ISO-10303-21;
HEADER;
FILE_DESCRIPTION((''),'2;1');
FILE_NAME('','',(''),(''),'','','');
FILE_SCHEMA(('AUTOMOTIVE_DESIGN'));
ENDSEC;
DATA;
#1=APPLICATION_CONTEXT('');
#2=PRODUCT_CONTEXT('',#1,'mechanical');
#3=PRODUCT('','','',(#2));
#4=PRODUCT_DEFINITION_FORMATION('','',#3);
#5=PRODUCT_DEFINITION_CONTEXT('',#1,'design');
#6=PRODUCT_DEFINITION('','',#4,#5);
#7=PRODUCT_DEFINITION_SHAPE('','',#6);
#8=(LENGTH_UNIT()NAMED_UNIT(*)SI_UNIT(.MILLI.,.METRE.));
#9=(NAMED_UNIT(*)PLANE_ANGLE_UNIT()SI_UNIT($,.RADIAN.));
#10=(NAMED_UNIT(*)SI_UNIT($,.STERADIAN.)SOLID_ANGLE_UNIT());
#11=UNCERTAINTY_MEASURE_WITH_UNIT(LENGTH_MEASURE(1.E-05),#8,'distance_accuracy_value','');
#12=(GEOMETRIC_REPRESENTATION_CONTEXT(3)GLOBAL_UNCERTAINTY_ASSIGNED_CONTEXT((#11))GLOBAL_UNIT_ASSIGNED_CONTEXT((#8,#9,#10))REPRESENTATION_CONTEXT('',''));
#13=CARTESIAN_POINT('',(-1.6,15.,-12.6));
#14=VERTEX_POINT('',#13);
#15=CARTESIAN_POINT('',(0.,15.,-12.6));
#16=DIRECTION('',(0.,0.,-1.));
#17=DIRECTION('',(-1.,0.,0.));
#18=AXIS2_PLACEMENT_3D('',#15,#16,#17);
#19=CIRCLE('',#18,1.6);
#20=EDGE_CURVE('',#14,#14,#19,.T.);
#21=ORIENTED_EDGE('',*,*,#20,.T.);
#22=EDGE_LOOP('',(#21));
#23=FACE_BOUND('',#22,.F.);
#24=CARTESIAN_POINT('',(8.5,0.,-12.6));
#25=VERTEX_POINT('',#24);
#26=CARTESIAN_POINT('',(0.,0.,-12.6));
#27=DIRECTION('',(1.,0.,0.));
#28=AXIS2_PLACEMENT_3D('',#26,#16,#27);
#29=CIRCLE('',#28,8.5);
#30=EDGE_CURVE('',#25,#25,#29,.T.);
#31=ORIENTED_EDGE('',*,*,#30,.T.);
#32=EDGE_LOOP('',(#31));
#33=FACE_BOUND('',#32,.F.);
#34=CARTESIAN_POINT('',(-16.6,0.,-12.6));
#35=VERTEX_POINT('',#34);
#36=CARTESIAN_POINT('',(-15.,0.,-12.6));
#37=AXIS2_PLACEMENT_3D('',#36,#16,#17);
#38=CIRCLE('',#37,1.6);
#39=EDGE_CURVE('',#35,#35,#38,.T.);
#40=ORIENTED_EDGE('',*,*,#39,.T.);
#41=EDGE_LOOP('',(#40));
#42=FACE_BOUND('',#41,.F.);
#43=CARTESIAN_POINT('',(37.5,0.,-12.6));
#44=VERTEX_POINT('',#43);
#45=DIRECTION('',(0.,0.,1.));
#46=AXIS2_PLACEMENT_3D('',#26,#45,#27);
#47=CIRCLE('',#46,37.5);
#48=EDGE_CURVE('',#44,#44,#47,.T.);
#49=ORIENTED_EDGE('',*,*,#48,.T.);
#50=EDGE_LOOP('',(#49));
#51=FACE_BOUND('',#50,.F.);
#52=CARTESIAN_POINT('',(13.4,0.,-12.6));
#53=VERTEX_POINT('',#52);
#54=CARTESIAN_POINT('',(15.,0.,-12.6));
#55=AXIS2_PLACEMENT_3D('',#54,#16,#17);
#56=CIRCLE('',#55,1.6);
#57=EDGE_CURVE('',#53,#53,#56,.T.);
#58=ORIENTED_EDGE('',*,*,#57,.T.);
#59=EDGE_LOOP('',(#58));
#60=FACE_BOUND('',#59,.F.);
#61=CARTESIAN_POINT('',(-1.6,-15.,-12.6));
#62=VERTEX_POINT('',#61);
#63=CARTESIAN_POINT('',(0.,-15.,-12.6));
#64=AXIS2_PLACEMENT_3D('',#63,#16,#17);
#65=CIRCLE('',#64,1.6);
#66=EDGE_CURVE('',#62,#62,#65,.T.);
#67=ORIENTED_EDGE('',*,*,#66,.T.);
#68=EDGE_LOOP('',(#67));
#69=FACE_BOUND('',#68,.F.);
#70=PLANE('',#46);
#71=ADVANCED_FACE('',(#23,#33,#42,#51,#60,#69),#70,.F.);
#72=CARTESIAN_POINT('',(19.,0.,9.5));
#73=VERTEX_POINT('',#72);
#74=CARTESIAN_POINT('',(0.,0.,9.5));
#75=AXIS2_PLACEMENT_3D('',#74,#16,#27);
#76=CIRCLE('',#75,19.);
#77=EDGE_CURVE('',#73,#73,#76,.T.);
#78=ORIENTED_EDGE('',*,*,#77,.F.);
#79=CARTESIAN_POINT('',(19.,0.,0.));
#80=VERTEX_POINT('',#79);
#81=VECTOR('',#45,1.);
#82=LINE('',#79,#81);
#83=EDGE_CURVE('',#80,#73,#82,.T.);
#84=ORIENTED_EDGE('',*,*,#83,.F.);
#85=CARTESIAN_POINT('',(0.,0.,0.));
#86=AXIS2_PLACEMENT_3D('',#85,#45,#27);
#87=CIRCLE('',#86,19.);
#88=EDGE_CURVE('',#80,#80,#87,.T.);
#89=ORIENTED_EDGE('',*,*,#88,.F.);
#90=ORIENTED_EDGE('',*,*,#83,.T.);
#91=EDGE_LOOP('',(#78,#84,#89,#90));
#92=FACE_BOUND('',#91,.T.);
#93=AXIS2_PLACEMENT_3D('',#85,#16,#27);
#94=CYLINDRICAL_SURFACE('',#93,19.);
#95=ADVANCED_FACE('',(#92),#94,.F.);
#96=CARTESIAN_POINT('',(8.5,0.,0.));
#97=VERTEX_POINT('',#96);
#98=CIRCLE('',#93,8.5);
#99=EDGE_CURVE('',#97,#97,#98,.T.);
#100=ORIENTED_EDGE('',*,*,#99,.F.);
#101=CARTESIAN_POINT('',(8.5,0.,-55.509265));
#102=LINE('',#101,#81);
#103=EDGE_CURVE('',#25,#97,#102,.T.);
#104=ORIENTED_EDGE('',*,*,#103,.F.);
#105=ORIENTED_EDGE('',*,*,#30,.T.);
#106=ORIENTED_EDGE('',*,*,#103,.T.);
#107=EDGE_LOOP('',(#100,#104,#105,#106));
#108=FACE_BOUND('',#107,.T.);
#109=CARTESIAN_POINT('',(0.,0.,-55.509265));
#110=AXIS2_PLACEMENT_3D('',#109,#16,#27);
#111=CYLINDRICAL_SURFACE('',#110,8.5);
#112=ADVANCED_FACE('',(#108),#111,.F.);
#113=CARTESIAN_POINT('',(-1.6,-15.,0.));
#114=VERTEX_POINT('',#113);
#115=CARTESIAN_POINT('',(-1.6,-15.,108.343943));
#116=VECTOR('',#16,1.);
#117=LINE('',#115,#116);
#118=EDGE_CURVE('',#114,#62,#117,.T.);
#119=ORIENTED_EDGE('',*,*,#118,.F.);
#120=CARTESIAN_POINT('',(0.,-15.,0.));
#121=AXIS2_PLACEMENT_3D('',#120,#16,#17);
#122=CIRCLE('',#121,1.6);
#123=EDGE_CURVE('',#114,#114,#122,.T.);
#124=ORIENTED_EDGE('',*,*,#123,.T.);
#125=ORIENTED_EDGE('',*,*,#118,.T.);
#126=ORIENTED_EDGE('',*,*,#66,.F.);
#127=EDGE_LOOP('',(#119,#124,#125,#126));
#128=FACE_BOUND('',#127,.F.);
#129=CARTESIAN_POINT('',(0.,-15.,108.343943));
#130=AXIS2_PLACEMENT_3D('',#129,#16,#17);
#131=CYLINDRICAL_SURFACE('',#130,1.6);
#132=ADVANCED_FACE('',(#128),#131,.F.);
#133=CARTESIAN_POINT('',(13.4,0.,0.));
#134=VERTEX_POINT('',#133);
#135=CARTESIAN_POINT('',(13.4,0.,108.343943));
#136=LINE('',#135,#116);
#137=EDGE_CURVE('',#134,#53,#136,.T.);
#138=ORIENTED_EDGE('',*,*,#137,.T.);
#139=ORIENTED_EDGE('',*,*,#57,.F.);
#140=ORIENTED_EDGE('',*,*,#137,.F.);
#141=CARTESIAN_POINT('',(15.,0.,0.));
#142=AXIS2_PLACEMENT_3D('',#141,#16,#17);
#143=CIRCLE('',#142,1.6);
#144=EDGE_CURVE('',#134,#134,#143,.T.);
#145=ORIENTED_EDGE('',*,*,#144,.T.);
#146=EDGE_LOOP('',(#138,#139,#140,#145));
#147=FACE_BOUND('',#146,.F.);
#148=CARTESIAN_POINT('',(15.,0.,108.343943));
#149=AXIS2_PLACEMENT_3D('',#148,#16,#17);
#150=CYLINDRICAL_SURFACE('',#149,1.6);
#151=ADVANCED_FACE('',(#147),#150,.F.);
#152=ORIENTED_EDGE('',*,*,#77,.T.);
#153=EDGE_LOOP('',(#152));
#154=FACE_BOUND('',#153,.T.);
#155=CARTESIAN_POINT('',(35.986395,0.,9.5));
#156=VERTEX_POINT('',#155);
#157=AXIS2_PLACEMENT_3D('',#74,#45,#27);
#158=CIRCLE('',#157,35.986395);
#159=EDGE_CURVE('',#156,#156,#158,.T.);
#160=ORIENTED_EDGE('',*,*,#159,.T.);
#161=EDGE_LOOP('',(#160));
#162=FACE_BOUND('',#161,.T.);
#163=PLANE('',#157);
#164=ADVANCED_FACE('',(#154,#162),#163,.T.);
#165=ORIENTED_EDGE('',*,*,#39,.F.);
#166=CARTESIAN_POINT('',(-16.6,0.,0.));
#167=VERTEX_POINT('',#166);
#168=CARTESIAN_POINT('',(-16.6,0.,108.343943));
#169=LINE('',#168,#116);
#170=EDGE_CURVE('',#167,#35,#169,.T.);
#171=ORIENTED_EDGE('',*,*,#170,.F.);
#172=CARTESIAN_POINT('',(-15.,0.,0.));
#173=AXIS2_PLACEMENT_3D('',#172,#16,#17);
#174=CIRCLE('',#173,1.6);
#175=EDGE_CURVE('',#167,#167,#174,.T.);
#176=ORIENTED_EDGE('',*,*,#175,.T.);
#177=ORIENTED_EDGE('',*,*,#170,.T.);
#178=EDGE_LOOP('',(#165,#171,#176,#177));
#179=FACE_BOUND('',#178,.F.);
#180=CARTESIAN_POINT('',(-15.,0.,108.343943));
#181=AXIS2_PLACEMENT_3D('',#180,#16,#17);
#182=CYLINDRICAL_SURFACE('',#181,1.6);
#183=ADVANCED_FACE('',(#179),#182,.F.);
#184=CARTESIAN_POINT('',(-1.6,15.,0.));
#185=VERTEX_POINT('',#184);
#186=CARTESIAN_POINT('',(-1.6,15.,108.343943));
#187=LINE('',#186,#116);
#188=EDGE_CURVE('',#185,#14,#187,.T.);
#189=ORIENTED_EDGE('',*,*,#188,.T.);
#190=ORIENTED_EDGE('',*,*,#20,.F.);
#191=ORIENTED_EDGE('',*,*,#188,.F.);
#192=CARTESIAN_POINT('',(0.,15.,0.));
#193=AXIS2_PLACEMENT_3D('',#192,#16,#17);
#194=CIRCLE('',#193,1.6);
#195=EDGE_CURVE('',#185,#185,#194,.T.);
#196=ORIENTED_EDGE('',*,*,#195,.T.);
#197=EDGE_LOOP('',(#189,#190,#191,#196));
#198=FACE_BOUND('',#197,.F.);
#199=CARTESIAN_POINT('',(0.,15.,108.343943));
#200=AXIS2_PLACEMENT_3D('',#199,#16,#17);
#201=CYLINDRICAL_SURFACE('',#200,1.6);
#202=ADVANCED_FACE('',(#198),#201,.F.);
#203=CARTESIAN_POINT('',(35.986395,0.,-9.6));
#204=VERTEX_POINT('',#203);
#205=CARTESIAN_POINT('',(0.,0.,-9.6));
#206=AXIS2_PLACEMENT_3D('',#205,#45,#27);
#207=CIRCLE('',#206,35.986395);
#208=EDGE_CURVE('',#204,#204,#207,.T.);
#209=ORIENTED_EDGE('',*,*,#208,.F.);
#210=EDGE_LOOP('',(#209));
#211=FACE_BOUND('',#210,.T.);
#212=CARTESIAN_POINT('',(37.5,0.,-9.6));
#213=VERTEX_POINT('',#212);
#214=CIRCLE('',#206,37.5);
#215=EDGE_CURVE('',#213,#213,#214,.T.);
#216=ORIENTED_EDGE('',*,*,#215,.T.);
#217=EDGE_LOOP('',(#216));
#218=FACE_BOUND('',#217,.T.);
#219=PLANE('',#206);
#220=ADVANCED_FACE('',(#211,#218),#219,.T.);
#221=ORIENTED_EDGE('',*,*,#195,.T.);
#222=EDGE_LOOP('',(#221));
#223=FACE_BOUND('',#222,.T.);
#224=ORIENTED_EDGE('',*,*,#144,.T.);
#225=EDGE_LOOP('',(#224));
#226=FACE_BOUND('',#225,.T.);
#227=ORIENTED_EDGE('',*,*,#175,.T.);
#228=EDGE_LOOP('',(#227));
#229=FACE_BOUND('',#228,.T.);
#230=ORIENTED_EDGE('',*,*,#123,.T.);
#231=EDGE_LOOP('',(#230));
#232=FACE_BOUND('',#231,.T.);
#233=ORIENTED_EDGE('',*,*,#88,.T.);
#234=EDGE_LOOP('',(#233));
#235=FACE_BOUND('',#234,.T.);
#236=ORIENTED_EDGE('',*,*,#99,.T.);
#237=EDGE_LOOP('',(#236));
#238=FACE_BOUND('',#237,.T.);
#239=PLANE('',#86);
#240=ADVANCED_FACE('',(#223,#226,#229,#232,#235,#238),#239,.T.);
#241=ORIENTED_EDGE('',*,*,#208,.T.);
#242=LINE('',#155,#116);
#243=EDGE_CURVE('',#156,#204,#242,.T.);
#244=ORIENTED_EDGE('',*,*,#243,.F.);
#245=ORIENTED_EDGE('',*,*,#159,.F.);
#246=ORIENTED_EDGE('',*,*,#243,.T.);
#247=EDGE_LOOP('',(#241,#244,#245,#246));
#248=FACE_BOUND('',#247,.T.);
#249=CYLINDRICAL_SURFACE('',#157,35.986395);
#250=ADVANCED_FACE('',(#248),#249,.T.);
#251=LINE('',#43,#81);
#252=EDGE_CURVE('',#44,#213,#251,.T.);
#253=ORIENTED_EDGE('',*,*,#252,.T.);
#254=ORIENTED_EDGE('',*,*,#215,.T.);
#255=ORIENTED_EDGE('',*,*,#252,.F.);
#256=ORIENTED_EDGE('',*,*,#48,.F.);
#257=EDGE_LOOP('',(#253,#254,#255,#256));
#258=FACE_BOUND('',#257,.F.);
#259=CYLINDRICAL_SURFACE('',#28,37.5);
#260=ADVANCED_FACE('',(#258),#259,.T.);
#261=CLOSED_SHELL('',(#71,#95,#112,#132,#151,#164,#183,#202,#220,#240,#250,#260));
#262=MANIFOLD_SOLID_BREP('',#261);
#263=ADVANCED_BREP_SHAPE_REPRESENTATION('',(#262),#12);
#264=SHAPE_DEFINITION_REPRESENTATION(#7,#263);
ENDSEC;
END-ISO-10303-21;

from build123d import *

# Parameters (mm, degrees)
EXTRUDE_START            = 9.5
SKETCH_1_R               = 35.986394748
EXTRUDE_1_DEPTH          = 19.1
SKETCH_1_3_R             = 19
CUT_EXTRUDE_1_DEPTH      = 52.789972136
EXTRUDE_START_2          = -12.6
SKETCH_1_4_R             = 37.5
EXTRUDE_2_DEPTH          = 3
CUT_EXTRUDE_2_DEPTH      = 55.509265267
CUT_EXTRUDE_2_DEPTH_BACK = 55.509265267
SKETCH_1_5_R             = 8.5
HOLE_WIZARD_M3_1_D       = 3.2


with BuildPart() as part:
    # ｽｹｯﾁ1 → ﾎﾞｽ - 押し出し1 (new body)
    with BuildSketch(Plane.XY.offset(EXTRUDE_START)):
        Circle(SKETCH_1_R)
    extrude(amount=-EXTRUDE_1_DEPTH)

    # ｽｹｯﾁ1<3> → ｶｯﾄ - 押し出し1 (cut, through all)
    with BuildSketch(Plane.XY):
        Circle(SKETCH_1_3_R)
    extrude(amount=CUT_EXTRUDE_1_DEPTH, mode=Mode.SUBTRACT)

    # ｽｹｯﾁ1<4> → ﾎﾞｽ - 押し出し2 (add)
    with BuildSketch(Plane.XY.offset(EXTRUDE_START_2)):
        Circle(SKETCH_1_4_R)
    extrude(amount=EXTRUDE_2_DEPTH)

    # ｽｹｯﾁ1<5> → ｶｯﾄ - 押し出し2 (cut, two sides: drawn at the far end of the back side and taken through both)
    with BuildSketch(Plane.XY.offset(-CUT_EXTRUDE_2_DEPTH_BACK)):
        Circle(SKETCH_1_5_R)
    extrude(amount=CUT_EXTRUDE_2_DEPTH + CUT_EXTRUDE_2_DEPTH_BACK, mode=Mode.SUBTRACT)

    # M3 すきま穴1 (through all)
    with Locations(Plane(origin=(0, 15, 0), x_dir=(1, 0, 0), z_dir=(0, 0, 1))):
        with Locations((0, 0), (-15, -15), (0, -30), (15, -15)):
            Hole(HOLE_WIZARD_M3_1_D / 2)


solid = part.part
